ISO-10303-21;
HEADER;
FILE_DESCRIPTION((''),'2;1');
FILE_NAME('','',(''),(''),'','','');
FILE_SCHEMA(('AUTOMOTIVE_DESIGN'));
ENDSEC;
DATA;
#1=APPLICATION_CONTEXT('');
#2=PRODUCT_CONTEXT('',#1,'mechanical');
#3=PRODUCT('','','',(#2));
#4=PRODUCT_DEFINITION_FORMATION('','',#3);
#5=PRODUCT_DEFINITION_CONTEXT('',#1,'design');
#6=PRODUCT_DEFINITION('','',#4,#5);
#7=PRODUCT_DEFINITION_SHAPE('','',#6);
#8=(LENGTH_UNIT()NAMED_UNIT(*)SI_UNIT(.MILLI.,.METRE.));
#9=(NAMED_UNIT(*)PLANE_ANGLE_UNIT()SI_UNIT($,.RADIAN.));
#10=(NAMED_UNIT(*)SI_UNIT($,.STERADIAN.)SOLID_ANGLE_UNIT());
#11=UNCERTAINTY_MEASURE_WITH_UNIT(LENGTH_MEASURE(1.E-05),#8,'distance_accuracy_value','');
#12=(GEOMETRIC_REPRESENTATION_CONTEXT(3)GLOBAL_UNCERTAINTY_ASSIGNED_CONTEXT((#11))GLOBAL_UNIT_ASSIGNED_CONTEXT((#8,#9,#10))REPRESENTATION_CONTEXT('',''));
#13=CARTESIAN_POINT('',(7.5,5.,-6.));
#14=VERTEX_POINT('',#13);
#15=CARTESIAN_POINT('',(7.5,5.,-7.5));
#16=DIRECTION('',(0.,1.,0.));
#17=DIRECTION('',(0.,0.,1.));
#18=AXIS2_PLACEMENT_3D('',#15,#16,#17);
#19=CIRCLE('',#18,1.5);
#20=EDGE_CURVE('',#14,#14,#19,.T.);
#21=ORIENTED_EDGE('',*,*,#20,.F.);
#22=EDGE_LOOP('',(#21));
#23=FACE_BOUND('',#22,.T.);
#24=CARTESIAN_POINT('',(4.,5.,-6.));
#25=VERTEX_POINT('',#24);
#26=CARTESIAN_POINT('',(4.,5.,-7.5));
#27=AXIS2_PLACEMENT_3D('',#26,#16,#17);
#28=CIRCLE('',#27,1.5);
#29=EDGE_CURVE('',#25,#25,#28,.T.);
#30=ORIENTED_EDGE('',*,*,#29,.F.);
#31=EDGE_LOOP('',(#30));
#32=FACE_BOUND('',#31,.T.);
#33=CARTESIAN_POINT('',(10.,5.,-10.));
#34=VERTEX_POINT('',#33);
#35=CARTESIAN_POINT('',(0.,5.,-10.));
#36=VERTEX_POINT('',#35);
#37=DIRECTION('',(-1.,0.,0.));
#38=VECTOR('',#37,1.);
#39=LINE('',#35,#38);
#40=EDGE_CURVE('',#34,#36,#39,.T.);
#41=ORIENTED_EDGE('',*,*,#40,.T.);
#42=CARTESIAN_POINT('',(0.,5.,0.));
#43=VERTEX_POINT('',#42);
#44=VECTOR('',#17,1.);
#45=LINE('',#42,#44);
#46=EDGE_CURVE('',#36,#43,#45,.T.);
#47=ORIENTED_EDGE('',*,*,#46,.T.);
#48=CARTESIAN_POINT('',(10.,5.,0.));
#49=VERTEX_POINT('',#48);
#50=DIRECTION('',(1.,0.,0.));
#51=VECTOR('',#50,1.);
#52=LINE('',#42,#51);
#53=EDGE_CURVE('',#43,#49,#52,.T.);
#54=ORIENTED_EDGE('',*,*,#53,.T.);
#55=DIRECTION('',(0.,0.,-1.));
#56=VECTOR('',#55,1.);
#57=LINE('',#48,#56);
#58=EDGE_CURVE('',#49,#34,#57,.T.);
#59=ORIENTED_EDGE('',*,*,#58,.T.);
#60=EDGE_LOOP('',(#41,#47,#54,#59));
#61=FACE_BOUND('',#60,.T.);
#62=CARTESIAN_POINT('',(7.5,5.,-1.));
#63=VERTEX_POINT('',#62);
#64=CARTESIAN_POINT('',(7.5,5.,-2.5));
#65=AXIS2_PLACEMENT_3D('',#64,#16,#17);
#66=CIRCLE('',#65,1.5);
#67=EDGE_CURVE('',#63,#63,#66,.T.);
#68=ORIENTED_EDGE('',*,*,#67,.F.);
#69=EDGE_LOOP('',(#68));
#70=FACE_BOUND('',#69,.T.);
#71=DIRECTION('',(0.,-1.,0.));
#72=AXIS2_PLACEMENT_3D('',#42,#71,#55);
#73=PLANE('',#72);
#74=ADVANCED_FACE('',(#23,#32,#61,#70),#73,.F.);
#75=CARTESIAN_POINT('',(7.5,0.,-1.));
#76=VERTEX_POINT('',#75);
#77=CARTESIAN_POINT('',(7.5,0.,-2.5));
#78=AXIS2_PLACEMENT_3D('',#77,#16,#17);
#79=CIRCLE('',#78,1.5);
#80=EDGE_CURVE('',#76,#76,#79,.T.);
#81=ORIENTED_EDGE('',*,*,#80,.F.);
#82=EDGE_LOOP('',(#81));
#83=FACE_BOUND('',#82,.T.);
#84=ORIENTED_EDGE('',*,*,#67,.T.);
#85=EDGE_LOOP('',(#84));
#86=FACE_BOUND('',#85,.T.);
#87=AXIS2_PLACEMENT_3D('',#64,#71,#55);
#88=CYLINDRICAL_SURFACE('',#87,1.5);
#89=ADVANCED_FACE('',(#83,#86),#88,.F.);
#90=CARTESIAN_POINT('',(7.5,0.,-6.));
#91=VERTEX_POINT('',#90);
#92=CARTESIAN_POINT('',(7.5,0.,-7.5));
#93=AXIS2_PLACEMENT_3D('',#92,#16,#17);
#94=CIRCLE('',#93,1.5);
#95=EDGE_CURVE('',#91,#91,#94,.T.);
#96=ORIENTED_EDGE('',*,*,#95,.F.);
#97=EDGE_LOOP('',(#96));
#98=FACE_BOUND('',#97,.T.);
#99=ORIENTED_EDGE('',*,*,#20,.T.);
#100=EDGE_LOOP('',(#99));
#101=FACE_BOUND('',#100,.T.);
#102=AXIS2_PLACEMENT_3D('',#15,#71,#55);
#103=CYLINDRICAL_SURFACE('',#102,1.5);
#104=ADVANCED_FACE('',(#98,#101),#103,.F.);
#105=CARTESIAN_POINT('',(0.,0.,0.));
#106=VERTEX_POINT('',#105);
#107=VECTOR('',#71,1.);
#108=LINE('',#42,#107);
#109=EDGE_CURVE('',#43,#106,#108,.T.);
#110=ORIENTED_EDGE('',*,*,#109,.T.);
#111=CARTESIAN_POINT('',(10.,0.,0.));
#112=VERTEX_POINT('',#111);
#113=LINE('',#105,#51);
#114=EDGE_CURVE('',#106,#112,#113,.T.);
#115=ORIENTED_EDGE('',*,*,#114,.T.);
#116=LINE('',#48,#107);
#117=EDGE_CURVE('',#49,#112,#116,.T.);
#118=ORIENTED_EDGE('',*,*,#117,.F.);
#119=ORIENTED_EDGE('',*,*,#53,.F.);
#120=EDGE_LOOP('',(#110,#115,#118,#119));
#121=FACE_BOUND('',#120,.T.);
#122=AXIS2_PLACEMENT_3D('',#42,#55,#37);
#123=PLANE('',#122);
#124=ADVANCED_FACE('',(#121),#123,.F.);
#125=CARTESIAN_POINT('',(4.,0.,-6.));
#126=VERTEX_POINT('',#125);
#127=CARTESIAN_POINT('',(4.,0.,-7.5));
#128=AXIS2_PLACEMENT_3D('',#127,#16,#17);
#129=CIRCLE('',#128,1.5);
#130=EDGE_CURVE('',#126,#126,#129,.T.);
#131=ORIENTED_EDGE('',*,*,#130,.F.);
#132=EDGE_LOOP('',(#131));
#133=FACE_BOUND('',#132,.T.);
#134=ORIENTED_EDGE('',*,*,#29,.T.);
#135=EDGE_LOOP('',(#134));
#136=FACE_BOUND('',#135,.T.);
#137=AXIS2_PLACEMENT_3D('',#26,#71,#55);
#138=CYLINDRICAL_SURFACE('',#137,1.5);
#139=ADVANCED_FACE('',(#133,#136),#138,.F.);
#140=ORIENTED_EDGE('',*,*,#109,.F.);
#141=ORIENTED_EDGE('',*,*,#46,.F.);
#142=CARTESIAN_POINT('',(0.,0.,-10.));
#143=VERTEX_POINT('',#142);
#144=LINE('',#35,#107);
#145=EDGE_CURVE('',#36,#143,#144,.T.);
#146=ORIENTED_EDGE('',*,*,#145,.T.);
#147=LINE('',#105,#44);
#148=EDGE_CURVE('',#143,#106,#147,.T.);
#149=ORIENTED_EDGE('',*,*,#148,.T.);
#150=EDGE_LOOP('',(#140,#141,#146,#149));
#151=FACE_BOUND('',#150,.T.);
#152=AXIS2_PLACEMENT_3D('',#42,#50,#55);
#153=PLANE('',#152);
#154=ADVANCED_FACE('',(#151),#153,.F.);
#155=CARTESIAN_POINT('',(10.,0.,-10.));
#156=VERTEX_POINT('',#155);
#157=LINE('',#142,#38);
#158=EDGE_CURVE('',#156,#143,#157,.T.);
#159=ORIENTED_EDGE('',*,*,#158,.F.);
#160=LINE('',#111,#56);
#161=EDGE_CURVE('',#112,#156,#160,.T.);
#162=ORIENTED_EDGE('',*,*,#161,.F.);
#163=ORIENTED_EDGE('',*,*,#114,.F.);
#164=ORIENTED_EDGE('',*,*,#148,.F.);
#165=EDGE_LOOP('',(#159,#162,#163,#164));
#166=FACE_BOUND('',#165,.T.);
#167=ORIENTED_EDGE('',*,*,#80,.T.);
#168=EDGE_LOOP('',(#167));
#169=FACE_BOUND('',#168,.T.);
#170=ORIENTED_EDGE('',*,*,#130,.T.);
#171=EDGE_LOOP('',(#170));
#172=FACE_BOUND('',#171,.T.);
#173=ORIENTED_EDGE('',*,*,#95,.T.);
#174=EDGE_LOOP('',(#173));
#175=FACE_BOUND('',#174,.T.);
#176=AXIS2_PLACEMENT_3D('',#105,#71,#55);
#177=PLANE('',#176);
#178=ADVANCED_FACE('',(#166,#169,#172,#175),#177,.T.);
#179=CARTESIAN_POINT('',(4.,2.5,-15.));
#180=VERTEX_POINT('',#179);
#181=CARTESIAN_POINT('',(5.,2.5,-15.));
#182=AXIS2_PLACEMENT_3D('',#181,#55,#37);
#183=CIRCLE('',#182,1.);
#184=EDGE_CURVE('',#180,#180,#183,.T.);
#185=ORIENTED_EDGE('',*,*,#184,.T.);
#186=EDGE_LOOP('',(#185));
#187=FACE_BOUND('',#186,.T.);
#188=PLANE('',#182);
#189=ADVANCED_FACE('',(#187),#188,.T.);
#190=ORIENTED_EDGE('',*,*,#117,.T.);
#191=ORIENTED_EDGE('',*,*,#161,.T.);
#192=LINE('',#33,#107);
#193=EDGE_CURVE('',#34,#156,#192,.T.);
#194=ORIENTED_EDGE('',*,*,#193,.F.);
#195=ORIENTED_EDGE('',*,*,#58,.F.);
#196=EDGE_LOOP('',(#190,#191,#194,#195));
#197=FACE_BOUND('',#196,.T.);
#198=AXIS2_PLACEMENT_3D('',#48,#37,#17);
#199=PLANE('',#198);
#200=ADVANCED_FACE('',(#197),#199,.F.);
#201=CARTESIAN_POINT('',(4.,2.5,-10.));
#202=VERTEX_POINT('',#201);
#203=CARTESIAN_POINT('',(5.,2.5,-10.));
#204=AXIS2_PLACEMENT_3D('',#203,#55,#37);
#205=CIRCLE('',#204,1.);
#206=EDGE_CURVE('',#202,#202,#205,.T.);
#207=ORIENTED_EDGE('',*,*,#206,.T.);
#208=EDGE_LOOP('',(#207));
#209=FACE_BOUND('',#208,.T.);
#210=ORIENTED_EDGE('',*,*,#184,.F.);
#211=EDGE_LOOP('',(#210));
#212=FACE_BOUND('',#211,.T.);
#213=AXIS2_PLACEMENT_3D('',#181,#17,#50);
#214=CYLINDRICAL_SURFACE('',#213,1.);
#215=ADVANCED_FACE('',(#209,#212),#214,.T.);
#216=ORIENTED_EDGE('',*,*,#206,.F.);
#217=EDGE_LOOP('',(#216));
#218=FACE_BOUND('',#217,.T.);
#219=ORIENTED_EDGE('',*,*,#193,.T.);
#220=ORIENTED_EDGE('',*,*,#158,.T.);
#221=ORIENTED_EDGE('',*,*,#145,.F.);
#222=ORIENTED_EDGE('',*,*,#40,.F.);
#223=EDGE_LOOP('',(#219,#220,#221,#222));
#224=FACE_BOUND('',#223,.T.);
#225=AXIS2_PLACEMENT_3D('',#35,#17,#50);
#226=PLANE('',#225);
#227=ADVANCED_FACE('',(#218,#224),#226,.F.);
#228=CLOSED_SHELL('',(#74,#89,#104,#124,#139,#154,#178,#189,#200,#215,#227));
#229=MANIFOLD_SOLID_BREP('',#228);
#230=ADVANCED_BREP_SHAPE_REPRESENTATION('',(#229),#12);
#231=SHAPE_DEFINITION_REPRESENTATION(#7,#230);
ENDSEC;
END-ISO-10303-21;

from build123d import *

# Parameters (mm, degrees)
SKETCH_1_W      = 10
SKETCH_1_H      = 10
SKETCH_1_R      = 1.5
EXTRUDE_1_DEPTH = 5
SKETCH_2_R      = 1
EXTRUDE_2_DEPTH = 5


with BuildPart() as part:
    # 草图1 → 凸台-拉伸1 (new body)
    with BuildSketch(Plane(origin=(0, 0, 0), x_dir=(1, 0, 0), z_dir=(0, 1, 0))):
        with Locations((5, 5)):
            Rectangle(SKETCH_1_W, SKETCH_1_H)
        with Locations(Location((7.5, 7.5, 0), (0, 0, 270))):
            Circle(SKETCH_1_R, mode=Mode.SUBTRACT)
        with Locations(Location((7.5, 2.5, 0), (0, 0, 270))):
            Circle(SKETCH_1_R, mode=Mode.SUBTRACT)
        with Locations(Location((4, 7.5, 0), (0, 0, 270))):
            Circle(SKETCH_1_R, mode=Mode.SUBTRACT)
    extrude(amount=EXTRUDE_1_DEPTH)

    # 草图2 → 凸台-拉伸2 (add)
    with BuildSketch(Plane(origin=(0, 0, -10), x_dir=(-1, 0, 0), z_dir=(0, 0, -1))):
        with Locations((-5, 2.5)):
            Circle(SKETCH_2_R)
    extrude(amount=EXTRUDE_2_DEPTH)


solid = part.part
